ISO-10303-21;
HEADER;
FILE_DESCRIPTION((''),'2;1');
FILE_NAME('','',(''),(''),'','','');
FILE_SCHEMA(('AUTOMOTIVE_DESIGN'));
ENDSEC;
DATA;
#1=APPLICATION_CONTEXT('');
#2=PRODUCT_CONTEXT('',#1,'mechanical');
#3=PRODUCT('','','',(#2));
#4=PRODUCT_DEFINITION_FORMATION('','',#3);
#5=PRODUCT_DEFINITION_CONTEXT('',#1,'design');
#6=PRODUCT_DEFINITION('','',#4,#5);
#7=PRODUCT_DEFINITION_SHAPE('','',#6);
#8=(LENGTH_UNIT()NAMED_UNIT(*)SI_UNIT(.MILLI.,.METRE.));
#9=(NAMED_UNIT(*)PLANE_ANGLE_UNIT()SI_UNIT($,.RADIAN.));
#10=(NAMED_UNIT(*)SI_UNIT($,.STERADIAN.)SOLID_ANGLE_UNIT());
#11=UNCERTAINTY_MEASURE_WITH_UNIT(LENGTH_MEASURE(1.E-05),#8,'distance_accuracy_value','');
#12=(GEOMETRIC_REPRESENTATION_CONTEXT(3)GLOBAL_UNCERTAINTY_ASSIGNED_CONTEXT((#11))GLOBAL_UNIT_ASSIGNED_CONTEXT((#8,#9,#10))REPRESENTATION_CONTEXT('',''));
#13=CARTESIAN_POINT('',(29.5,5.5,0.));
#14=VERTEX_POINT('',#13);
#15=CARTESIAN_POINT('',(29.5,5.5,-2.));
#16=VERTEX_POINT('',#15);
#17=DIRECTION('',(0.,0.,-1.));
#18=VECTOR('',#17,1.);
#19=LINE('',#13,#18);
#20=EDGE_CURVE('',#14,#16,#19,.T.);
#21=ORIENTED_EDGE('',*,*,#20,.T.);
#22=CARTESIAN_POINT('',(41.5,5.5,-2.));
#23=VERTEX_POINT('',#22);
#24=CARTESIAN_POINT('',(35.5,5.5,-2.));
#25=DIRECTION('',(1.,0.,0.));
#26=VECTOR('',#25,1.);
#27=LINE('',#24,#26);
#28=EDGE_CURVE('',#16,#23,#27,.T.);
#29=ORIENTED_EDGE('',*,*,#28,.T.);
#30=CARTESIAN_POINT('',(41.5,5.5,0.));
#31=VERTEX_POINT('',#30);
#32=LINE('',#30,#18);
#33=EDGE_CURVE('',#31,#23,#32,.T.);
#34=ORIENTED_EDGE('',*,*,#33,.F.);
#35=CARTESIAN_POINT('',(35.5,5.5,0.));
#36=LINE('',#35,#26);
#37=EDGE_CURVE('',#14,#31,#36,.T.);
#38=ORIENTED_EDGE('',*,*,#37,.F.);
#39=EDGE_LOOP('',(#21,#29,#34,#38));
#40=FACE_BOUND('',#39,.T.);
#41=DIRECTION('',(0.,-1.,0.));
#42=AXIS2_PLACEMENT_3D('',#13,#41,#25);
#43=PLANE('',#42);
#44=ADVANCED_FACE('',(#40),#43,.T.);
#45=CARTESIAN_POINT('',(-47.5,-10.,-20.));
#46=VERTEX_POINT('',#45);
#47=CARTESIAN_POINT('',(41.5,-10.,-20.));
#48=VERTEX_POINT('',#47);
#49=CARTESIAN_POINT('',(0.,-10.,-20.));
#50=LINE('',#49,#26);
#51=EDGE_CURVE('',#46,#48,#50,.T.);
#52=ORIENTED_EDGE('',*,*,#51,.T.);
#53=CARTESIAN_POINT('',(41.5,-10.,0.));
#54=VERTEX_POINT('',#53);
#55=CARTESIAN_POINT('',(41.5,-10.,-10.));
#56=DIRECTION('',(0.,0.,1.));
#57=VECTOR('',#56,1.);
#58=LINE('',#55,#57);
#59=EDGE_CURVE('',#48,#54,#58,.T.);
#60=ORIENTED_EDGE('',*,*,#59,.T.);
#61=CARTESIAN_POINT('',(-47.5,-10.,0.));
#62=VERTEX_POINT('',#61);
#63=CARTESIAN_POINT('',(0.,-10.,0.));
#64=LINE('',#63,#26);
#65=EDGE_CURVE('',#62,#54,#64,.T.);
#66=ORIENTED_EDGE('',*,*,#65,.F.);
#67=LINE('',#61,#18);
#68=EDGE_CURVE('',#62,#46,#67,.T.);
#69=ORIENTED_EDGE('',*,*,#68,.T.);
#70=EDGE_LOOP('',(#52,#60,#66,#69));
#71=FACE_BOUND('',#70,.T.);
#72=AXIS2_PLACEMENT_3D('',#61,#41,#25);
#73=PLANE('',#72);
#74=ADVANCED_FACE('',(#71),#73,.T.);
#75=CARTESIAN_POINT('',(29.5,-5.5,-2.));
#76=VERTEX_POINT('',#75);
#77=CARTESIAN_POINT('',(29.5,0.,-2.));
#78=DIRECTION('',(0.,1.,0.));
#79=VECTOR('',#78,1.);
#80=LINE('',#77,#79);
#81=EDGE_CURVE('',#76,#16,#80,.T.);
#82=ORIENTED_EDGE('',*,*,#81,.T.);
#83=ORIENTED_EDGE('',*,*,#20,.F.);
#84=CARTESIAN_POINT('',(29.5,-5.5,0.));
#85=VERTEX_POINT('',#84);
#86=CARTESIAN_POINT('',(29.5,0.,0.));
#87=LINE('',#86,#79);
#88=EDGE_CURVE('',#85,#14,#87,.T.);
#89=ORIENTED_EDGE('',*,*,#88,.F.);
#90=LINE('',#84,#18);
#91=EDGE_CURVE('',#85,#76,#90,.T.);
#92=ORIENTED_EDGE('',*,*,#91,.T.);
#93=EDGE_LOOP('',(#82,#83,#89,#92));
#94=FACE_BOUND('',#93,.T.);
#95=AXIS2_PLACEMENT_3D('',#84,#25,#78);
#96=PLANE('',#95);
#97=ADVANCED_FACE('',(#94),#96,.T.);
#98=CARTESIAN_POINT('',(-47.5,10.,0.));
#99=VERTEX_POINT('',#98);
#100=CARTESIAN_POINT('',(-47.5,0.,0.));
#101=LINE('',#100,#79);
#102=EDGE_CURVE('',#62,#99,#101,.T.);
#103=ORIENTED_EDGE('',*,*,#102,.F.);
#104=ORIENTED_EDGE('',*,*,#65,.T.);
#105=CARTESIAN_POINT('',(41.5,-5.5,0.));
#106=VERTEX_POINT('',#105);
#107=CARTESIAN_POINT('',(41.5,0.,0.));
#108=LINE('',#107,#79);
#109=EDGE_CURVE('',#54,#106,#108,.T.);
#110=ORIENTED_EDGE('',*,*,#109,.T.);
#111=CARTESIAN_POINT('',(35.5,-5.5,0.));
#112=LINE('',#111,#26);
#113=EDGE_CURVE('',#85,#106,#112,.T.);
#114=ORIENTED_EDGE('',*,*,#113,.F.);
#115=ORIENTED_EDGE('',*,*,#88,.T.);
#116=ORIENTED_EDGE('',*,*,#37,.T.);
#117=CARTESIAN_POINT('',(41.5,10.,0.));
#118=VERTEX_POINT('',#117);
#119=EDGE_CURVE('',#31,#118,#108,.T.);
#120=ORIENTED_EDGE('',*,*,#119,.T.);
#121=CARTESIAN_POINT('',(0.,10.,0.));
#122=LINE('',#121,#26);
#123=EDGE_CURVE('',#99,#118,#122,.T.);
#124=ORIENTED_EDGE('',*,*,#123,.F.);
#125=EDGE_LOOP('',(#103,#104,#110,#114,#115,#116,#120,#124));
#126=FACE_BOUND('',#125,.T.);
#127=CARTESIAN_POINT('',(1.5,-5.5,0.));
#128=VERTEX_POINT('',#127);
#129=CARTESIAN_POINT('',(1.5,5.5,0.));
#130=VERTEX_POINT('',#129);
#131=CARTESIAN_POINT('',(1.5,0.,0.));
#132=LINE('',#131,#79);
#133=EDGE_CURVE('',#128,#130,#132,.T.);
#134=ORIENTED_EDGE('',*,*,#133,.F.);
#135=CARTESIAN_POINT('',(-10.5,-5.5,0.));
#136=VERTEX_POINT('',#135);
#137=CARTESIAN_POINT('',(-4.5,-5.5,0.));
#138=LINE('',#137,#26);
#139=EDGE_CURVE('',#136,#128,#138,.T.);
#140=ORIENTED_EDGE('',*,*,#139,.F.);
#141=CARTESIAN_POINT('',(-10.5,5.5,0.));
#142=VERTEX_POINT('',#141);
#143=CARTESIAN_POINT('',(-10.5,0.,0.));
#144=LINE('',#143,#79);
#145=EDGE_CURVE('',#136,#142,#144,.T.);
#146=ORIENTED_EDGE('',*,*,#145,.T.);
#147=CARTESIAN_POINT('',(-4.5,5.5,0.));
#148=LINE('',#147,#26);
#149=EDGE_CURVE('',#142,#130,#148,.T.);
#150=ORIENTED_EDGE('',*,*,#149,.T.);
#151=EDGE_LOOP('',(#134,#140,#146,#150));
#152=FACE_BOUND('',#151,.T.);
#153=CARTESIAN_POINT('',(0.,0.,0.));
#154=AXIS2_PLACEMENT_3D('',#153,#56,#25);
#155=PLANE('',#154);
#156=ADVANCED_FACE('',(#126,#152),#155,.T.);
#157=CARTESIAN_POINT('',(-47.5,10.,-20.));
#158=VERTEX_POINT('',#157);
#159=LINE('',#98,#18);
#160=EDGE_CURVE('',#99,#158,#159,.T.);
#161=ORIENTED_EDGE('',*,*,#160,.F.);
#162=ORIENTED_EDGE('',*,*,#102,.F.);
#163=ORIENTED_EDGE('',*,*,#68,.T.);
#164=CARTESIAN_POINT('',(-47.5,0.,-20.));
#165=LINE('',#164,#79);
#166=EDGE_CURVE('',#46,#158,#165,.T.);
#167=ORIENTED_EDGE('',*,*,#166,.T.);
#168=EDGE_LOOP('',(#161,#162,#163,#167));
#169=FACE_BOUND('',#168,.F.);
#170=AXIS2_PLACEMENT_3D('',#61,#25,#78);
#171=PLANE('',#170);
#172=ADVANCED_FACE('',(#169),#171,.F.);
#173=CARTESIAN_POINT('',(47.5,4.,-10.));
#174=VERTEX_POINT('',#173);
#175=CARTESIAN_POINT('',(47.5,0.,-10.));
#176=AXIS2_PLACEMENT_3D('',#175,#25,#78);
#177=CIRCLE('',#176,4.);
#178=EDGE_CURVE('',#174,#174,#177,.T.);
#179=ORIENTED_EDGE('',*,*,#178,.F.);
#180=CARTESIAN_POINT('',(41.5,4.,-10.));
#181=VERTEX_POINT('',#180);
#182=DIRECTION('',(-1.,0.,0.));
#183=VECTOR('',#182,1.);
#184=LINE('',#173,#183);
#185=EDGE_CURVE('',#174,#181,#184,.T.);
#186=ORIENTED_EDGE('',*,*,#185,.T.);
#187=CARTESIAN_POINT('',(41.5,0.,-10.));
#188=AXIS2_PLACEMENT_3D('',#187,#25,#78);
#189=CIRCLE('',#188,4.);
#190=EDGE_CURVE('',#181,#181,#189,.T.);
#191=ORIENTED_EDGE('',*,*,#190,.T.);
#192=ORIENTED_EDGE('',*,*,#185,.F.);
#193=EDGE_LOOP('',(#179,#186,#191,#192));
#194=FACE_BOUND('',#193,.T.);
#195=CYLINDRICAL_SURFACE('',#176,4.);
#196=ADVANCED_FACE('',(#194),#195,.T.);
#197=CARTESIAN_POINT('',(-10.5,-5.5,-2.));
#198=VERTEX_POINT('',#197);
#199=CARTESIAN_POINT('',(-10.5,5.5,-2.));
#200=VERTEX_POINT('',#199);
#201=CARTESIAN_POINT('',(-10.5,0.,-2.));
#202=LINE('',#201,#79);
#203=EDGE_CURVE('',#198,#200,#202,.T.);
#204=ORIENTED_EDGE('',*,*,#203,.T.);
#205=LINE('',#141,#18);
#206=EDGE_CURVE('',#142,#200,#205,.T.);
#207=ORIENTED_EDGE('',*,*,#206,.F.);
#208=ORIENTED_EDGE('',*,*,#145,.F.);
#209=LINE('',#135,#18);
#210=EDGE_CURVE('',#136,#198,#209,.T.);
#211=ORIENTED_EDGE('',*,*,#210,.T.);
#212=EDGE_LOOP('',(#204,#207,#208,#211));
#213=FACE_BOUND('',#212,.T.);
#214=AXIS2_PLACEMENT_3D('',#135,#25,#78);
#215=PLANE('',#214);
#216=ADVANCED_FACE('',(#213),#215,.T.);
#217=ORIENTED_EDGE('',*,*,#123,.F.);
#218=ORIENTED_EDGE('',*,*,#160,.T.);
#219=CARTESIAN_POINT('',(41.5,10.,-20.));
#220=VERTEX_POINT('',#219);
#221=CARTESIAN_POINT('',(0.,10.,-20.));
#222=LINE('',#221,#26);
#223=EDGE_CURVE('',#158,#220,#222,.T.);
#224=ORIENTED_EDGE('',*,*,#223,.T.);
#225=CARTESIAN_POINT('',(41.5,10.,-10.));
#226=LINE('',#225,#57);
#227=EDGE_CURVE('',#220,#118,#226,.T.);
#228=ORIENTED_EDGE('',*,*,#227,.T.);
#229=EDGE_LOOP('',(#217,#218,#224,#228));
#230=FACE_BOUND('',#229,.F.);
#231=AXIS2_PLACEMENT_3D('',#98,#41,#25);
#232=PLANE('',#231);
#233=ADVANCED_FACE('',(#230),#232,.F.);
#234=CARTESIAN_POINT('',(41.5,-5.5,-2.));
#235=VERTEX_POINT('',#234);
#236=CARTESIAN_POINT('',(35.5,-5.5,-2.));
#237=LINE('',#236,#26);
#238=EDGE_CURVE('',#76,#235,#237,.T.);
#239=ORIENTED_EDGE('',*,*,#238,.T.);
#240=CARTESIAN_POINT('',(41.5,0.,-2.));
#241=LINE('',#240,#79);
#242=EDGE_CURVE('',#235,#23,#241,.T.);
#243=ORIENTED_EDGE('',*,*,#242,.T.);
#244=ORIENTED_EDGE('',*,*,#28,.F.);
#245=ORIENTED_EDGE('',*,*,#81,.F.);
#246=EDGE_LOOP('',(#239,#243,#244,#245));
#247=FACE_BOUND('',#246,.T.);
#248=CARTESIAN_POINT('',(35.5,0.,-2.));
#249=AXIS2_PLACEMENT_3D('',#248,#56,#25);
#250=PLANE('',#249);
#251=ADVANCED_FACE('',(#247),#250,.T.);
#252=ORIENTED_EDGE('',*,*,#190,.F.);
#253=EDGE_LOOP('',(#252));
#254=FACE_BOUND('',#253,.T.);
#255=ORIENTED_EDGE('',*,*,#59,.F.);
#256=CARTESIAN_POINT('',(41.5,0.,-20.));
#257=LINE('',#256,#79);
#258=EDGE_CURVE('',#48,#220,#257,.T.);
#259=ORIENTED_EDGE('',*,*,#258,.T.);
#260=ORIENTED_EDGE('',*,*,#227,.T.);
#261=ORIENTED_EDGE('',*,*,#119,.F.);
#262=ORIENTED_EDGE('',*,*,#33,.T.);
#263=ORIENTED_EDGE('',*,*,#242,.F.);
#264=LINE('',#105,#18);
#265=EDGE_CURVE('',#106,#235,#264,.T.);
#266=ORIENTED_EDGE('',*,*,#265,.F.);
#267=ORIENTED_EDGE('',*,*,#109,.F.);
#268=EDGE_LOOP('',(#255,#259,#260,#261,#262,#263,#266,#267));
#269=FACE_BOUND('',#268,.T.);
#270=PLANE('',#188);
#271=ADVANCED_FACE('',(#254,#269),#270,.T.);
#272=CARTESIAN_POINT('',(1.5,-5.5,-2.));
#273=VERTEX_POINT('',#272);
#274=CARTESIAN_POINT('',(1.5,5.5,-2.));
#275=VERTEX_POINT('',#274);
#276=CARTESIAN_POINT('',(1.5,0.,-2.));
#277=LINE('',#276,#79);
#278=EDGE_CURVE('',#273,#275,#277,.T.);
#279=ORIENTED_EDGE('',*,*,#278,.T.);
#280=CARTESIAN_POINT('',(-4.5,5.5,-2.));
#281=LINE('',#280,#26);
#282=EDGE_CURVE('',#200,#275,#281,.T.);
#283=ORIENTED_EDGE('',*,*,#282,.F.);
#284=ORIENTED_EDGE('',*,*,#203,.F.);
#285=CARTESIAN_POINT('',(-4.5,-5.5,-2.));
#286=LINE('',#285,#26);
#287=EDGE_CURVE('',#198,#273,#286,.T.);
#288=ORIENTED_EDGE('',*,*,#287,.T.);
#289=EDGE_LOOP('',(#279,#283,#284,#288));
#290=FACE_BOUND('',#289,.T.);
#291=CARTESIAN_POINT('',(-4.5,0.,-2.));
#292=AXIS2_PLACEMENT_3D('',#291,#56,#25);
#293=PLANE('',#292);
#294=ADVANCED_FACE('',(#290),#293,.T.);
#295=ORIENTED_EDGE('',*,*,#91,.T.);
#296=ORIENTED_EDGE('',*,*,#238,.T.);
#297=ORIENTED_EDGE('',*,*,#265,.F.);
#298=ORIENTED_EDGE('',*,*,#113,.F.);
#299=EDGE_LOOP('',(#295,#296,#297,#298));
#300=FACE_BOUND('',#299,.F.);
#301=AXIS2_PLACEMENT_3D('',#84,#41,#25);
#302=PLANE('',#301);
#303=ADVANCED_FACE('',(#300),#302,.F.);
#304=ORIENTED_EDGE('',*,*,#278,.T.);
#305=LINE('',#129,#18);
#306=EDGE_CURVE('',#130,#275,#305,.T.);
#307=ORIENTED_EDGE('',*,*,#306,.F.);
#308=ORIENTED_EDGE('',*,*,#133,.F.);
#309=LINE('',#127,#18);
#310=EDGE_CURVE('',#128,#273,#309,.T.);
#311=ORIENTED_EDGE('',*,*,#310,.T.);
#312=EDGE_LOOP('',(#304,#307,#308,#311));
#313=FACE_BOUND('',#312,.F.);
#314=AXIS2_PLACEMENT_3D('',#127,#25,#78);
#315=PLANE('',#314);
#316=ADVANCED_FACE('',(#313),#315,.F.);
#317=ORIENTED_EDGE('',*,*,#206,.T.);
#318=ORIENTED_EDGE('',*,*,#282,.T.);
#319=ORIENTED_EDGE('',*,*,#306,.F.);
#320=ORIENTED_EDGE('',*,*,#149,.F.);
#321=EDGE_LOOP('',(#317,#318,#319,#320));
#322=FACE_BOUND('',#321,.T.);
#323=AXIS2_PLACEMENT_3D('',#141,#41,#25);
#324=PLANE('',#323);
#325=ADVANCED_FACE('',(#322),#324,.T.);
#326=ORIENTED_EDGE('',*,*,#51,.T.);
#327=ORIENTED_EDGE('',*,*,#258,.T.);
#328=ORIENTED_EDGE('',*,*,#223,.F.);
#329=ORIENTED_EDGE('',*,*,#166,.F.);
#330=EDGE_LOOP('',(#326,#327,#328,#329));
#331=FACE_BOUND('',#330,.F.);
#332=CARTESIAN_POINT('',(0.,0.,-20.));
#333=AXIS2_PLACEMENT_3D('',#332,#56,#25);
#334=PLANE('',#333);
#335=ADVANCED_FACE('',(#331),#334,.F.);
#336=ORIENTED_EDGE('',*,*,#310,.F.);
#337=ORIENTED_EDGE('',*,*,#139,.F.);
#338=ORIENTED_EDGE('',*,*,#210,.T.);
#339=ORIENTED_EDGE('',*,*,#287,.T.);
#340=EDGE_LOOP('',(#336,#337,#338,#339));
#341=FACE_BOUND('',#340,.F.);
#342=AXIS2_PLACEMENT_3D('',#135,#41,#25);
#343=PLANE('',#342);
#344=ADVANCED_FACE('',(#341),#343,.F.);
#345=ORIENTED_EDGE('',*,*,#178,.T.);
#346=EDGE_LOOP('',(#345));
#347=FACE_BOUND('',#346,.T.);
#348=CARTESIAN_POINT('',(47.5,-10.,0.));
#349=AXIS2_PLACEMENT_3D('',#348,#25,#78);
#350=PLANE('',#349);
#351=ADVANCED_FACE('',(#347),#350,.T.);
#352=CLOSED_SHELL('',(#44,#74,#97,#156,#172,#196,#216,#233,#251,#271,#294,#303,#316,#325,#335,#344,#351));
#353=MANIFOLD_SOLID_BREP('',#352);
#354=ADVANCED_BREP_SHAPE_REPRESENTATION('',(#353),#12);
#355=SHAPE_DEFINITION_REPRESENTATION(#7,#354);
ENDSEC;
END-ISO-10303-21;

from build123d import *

# Parameters (mm, degrees)
SKETCH_W        = 95
SKETCH_H        = 20
PAD_DEPTH       = 20
SKETCH001_W     = 20
SKETCH001_H     = 20
SKETCH001_R     = 4
POCKET_DEPTH    = 6
SKETCH003_W     = 12
SKETCH003_H     = 11
POCKET001_DEPTH = 2


with BuildPart() as part:
    # Sketch → Pad (new body)
    with BuildSketch(Plane.XY):
        Rectangle(SKETCH_W, SKETCH_H)
    extrude(amount=-PAD_DEPTH)

    # Sketch001 (on Face2 of Pad) → Pocket (cut)
    with BuildSketch(Plane.YZ.offset(47.5)):
        with Locations((0, -10)):
            Rectangle(SKETCH001_W, SKETCH001_H)
        with Locations((0, -10)):
            Circle(SKETCH001_R, mode=Mode.SUBTRACT)
    extrude(amount=-POCKET_DEPTH, mode=Mode.SUBTRACT)

    # Sketch003 (on Face2 of Pocket) → Pocket001 (cut)
    with BuildSketch(Plane.XY):
        with Locations((35.5, 0)):
            Rectangle(SKETCH003_W, SKETCH003_H)
        with Locations((-4.5, 0)):
            Rectangle(SKETCH003_W, SKETCH003_H)
    extrude(amount=-POCKET001_DEPTH, mode=Mode.SUBTRACT)


solid = part.part
